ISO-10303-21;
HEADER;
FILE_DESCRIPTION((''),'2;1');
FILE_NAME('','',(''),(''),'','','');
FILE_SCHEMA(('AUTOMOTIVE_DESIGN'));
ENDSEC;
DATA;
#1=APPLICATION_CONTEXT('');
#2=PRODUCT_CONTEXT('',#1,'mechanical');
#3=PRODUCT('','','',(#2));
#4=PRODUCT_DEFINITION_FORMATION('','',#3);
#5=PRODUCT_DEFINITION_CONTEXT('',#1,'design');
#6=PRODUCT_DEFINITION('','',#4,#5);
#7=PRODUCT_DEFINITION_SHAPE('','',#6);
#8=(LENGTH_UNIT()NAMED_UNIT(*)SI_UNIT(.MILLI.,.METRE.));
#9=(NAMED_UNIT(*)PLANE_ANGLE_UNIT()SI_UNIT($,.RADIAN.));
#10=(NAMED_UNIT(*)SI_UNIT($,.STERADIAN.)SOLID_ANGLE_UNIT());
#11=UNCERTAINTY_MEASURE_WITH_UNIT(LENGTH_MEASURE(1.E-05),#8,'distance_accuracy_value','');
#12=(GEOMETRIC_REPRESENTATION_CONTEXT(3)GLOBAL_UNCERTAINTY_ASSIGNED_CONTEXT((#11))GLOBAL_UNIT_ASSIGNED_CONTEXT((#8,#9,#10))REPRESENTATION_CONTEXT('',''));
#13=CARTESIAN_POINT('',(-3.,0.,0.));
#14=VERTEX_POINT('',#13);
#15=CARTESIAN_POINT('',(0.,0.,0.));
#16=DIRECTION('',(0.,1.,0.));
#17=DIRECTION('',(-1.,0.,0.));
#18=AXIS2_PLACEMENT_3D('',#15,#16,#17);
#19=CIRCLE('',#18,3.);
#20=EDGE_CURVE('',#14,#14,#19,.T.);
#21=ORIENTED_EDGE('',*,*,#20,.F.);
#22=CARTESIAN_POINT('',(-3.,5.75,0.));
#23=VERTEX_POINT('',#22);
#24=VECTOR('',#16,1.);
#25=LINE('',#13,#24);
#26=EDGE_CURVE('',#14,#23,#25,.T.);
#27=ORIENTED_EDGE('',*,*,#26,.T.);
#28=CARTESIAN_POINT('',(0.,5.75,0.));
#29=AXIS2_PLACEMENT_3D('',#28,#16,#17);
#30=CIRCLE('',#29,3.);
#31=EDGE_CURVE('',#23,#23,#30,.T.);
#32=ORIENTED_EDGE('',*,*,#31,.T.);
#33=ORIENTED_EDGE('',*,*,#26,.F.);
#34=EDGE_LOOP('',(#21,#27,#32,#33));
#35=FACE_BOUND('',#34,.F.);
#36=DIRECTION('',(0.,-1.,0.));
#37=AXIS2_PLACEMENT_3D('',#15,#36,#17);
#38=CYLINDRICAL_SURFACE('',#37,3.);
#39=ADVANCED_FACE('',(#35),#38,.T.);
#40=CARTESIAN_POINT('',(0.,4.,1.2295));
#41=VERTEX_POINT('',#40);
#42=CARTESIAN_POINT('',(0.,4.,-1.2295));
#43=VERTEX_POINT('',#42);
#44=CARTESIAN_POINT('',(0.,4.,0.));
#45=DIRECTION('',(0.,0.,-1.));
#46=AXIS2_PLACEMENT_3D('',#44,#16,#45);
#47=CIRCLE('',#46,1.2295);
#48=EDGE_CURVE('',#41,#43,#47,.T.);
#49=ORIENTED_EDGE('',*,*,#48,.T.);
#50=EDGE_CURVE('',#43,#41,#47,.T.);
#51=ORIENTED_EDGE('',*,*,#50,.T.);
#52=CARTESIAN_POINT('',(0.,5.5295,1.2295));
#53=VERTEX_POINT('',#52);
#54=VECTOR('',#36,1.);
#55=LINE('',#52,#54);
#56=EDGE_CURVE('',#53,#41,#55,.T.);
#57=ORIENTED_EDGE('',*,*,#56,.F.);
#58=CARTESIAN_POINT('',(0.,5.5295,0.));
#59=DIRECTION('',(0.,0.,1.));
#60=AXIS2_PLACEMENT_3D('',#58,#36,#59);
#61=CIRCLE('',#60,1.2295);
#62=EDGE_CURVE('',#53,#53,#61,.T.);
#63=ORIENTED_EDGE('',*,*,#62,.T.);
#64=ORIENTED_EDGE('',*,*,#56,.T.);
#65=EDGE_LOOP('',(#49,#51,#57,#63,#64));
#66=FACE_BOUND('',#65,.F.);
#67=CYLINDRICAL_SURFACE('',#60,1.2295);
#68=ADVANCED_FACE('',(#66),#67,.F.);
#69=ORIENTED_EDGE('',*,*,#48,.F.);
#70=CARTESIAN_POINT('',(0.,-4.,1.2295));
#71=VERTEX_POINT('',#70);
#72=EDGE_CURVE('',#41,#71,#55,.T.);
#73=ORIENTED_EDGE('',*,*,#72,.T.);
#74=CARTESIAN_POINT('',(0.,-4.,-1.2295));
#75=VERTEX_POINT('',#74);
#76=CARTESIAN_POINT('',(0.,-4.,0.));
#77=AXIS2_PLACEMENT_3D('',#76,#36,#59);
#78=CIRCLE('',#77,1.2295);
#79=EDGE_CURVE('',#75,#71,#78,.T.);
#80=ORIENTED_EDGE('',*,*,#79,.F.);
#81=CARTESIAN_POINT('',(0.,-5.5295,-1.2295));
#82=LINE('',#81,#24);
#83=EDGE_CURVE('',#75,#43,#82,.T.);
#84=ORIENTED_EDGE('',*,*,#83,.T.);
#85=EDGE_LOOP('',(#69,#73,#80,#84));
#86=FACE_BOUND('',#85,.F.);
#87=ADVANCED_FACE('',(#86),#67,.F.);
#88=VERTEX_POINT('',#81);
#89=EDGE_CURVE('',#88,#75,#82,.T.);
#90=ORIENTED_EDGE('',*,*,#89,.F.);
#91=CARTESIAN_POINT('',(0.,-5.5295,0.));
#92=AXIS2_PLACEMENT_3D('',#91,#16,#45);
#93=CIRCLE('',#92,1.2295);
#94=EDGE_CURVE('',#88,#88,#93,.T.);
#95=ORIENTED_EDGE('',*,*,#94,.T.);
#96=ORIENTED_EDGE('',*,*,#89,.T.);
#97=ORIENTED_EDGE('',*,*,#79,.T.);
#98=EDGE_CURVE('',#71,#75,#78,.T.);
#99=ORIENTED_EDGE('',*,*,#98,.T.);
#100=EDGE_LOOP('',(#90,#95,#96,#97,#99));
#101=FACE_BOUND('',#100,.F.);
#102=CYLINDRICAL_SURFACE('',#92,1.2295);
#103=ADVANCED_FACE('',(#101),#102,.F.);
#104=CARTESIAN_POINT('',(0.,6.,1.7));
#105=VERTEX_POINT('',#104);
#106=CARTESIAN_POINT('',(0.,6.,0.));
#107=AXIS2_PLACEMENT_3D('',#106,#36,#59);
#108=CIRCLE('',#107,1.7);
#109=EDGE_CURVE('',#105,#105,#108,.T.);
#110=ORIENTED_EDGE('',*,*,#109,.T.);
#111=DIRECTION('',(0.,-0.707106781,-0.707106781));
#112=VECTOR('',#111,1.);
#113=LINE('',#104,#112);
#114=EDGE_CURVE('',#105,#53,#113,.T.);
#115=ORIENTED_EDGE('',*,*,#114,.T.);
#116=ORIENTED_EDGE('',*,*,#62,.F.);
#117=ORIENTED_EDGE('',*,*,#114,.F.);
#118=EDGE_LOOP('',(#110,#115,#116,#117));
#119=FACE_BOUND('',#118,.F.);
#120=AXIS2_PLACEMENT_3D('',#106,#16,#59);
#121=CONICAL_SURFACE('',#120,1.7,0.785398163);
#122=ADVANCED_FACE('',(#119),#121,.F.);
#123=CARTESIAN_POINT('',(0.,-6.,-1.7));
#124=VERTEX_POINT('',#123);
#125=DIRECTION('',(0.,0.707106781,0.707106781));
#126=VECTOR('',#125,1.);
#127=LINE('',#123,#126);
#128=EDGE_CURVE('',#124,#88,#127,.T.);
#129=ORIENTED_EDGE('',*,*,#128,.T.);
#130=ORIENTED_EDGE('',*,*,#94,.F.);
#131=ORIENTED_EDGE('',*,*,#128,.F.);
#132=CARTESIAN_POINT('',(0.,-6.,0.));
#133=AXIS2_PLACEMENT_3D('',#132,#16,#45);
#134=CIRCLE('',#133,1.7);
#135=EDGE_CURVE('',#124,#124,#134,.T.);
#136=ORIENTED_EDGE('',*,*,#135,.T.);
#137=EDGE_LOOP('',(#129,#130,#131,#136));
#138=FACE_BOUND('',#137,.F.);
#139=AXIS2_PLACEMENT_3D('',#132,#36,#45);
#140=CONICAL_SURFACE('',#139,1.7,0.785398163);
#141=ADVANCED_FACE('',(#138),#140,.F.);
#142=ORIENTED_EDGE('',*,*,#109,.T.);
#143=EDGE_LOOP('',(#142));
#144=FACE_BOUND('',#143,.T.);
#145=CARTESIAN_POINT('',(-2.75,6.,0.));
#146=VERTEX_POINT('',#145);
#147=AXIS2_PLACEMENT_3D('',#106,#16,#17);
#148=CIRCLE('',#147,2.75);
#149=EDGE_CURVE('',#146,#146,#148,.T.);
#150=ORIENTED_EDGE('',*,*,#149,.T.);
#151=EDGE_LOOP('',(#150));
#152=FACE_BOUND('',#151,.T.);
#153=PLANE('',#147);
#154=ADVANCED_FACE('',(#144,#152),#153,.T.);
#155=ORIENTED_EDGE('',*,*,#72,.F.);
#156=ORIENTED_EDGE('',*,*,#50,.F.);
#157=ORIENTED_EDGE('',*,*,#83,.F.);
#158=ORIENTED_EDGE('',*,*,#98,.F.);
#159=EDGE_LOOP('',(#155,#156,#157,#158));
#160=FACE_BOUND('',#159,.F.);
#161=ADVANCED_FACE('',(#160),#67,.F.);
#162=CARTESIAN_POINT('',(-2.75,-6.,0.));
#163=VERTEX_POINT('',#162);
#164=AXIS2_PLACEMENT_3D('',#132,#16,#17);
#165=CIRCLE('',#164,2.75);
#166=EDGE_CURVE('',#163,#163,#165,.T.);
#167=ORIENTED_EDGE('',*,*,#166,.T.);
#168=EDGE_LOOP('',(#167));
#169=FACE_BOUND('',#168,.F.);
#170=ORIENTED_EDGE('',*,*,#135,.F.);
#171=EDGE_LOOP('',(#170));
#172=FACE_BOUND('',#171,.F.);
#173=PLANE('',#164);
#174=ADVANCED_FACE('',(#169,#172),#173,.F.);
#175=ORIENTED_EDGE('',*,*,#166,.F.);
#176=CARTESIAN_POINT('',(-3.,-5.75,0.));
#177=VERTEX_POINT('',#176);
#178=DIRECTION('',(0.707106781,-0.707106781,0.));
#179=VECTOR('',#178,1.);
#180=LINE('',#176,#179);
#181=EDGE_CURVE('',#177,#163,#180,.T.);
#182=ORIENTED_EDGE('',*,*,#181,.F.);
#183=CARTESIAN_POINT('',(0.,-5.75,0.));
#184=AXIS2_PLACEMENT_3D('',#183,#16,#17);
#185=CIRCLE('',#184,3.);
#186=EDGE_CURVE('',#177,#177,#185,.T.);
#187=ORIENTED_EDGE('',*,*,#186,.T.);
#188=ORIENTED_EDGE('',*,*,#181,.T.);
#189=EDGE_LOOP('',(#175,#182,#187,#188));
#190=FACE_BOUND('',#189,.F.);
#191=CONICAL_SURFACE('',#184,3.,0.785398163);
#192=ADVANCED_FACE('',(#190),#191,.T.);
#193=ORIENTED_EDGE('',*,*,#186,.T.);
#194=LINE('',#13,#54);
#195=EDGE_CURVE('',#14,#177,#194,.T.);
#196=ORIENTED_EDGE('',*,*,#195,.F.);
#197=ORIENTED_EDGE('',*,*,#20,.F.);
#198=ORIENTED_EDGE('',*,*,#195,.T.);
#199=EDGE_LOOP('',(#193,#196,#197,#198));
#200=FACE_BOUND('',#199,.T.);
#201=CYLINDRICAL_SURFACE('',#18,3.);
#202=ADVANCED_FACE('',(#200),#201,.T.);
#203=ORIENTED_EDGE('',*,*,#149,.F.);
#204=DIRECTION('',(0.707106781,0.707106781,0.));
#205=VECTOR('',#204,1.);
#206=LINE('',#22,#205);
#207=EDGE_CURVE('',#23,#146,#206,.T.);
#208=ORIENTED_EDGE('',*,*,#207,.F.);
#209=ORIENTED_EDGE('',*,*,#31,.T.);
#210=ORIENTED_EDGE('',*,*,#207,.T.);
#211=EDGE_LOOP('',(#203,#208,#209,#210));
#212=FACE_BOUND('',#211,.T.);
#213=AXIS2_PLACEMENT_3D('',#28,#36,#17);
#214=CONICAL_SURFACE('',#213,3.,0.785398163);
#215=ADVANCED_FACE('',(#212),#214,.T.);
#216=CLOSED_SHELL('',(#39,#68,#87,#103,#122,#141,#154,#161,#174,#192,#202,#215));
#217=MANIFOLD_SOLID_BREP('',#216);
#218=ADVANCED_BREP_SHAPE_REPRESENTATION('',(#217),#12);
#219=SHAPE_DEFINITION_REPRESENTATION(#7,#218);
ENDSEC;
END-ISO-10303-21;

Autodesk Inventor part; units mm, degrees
ref_plane "YZ Plane" through (0, 0, 0) normal (1, 0, 0) x (0, 1, 0)
ref_plane "XZ Plane" through (0, 0, 0) normal (0, 1, 0) x (-1, 0, 0)
ref_plane "XY Plane" through (0, 0, 0) normal (0, 0, 1) x (1, 0, 0)
sketch "スケッチ1" plane through (0, 0, 0) normal (0, 1, 0) x (-1, 0, 0)
  circle A0 centre (0, 0) radius 3
  dimension "d0" = 6
extrude "押し出し1" add sketch "スケッチ1" along normal mid plane 12
sketch "スケッチ2" plane through (0, 6, 0) normal (0, 1, 0) x (1, 0, 0)
  point P0 (0, 0)
  point P1 (0, 0)
hole "穴1" at (0, 6, 0) direction (0, -1, 0) diameter 2.459 depth 10 countersink diameter 3.4 countersink angle 90 thread size "M3x0.5" class "6H" standard "ISO Metric profile"
sketch "スケッチ3" plane through (0, -6, 0) normal (0, -1, 0) x (1, 0, 0)
  point P0 (0, 0)
  point P1 (0, 0)
hole "穴2" at (0, -6, 0) direction (0, 1, 0) diameter 2.459 depth 10 countersink diameter 3.4 countersink angle 90 thread size "M3x0.5" class "6H" standard "ISO Metric profile"
chamfer "面取り1" distance 0.25 angle 45 2 edges at (3, -6, 0) (3, 6, 0)
properties part number "Spacer_M3D6L60" material "アルミニウム 6061"
